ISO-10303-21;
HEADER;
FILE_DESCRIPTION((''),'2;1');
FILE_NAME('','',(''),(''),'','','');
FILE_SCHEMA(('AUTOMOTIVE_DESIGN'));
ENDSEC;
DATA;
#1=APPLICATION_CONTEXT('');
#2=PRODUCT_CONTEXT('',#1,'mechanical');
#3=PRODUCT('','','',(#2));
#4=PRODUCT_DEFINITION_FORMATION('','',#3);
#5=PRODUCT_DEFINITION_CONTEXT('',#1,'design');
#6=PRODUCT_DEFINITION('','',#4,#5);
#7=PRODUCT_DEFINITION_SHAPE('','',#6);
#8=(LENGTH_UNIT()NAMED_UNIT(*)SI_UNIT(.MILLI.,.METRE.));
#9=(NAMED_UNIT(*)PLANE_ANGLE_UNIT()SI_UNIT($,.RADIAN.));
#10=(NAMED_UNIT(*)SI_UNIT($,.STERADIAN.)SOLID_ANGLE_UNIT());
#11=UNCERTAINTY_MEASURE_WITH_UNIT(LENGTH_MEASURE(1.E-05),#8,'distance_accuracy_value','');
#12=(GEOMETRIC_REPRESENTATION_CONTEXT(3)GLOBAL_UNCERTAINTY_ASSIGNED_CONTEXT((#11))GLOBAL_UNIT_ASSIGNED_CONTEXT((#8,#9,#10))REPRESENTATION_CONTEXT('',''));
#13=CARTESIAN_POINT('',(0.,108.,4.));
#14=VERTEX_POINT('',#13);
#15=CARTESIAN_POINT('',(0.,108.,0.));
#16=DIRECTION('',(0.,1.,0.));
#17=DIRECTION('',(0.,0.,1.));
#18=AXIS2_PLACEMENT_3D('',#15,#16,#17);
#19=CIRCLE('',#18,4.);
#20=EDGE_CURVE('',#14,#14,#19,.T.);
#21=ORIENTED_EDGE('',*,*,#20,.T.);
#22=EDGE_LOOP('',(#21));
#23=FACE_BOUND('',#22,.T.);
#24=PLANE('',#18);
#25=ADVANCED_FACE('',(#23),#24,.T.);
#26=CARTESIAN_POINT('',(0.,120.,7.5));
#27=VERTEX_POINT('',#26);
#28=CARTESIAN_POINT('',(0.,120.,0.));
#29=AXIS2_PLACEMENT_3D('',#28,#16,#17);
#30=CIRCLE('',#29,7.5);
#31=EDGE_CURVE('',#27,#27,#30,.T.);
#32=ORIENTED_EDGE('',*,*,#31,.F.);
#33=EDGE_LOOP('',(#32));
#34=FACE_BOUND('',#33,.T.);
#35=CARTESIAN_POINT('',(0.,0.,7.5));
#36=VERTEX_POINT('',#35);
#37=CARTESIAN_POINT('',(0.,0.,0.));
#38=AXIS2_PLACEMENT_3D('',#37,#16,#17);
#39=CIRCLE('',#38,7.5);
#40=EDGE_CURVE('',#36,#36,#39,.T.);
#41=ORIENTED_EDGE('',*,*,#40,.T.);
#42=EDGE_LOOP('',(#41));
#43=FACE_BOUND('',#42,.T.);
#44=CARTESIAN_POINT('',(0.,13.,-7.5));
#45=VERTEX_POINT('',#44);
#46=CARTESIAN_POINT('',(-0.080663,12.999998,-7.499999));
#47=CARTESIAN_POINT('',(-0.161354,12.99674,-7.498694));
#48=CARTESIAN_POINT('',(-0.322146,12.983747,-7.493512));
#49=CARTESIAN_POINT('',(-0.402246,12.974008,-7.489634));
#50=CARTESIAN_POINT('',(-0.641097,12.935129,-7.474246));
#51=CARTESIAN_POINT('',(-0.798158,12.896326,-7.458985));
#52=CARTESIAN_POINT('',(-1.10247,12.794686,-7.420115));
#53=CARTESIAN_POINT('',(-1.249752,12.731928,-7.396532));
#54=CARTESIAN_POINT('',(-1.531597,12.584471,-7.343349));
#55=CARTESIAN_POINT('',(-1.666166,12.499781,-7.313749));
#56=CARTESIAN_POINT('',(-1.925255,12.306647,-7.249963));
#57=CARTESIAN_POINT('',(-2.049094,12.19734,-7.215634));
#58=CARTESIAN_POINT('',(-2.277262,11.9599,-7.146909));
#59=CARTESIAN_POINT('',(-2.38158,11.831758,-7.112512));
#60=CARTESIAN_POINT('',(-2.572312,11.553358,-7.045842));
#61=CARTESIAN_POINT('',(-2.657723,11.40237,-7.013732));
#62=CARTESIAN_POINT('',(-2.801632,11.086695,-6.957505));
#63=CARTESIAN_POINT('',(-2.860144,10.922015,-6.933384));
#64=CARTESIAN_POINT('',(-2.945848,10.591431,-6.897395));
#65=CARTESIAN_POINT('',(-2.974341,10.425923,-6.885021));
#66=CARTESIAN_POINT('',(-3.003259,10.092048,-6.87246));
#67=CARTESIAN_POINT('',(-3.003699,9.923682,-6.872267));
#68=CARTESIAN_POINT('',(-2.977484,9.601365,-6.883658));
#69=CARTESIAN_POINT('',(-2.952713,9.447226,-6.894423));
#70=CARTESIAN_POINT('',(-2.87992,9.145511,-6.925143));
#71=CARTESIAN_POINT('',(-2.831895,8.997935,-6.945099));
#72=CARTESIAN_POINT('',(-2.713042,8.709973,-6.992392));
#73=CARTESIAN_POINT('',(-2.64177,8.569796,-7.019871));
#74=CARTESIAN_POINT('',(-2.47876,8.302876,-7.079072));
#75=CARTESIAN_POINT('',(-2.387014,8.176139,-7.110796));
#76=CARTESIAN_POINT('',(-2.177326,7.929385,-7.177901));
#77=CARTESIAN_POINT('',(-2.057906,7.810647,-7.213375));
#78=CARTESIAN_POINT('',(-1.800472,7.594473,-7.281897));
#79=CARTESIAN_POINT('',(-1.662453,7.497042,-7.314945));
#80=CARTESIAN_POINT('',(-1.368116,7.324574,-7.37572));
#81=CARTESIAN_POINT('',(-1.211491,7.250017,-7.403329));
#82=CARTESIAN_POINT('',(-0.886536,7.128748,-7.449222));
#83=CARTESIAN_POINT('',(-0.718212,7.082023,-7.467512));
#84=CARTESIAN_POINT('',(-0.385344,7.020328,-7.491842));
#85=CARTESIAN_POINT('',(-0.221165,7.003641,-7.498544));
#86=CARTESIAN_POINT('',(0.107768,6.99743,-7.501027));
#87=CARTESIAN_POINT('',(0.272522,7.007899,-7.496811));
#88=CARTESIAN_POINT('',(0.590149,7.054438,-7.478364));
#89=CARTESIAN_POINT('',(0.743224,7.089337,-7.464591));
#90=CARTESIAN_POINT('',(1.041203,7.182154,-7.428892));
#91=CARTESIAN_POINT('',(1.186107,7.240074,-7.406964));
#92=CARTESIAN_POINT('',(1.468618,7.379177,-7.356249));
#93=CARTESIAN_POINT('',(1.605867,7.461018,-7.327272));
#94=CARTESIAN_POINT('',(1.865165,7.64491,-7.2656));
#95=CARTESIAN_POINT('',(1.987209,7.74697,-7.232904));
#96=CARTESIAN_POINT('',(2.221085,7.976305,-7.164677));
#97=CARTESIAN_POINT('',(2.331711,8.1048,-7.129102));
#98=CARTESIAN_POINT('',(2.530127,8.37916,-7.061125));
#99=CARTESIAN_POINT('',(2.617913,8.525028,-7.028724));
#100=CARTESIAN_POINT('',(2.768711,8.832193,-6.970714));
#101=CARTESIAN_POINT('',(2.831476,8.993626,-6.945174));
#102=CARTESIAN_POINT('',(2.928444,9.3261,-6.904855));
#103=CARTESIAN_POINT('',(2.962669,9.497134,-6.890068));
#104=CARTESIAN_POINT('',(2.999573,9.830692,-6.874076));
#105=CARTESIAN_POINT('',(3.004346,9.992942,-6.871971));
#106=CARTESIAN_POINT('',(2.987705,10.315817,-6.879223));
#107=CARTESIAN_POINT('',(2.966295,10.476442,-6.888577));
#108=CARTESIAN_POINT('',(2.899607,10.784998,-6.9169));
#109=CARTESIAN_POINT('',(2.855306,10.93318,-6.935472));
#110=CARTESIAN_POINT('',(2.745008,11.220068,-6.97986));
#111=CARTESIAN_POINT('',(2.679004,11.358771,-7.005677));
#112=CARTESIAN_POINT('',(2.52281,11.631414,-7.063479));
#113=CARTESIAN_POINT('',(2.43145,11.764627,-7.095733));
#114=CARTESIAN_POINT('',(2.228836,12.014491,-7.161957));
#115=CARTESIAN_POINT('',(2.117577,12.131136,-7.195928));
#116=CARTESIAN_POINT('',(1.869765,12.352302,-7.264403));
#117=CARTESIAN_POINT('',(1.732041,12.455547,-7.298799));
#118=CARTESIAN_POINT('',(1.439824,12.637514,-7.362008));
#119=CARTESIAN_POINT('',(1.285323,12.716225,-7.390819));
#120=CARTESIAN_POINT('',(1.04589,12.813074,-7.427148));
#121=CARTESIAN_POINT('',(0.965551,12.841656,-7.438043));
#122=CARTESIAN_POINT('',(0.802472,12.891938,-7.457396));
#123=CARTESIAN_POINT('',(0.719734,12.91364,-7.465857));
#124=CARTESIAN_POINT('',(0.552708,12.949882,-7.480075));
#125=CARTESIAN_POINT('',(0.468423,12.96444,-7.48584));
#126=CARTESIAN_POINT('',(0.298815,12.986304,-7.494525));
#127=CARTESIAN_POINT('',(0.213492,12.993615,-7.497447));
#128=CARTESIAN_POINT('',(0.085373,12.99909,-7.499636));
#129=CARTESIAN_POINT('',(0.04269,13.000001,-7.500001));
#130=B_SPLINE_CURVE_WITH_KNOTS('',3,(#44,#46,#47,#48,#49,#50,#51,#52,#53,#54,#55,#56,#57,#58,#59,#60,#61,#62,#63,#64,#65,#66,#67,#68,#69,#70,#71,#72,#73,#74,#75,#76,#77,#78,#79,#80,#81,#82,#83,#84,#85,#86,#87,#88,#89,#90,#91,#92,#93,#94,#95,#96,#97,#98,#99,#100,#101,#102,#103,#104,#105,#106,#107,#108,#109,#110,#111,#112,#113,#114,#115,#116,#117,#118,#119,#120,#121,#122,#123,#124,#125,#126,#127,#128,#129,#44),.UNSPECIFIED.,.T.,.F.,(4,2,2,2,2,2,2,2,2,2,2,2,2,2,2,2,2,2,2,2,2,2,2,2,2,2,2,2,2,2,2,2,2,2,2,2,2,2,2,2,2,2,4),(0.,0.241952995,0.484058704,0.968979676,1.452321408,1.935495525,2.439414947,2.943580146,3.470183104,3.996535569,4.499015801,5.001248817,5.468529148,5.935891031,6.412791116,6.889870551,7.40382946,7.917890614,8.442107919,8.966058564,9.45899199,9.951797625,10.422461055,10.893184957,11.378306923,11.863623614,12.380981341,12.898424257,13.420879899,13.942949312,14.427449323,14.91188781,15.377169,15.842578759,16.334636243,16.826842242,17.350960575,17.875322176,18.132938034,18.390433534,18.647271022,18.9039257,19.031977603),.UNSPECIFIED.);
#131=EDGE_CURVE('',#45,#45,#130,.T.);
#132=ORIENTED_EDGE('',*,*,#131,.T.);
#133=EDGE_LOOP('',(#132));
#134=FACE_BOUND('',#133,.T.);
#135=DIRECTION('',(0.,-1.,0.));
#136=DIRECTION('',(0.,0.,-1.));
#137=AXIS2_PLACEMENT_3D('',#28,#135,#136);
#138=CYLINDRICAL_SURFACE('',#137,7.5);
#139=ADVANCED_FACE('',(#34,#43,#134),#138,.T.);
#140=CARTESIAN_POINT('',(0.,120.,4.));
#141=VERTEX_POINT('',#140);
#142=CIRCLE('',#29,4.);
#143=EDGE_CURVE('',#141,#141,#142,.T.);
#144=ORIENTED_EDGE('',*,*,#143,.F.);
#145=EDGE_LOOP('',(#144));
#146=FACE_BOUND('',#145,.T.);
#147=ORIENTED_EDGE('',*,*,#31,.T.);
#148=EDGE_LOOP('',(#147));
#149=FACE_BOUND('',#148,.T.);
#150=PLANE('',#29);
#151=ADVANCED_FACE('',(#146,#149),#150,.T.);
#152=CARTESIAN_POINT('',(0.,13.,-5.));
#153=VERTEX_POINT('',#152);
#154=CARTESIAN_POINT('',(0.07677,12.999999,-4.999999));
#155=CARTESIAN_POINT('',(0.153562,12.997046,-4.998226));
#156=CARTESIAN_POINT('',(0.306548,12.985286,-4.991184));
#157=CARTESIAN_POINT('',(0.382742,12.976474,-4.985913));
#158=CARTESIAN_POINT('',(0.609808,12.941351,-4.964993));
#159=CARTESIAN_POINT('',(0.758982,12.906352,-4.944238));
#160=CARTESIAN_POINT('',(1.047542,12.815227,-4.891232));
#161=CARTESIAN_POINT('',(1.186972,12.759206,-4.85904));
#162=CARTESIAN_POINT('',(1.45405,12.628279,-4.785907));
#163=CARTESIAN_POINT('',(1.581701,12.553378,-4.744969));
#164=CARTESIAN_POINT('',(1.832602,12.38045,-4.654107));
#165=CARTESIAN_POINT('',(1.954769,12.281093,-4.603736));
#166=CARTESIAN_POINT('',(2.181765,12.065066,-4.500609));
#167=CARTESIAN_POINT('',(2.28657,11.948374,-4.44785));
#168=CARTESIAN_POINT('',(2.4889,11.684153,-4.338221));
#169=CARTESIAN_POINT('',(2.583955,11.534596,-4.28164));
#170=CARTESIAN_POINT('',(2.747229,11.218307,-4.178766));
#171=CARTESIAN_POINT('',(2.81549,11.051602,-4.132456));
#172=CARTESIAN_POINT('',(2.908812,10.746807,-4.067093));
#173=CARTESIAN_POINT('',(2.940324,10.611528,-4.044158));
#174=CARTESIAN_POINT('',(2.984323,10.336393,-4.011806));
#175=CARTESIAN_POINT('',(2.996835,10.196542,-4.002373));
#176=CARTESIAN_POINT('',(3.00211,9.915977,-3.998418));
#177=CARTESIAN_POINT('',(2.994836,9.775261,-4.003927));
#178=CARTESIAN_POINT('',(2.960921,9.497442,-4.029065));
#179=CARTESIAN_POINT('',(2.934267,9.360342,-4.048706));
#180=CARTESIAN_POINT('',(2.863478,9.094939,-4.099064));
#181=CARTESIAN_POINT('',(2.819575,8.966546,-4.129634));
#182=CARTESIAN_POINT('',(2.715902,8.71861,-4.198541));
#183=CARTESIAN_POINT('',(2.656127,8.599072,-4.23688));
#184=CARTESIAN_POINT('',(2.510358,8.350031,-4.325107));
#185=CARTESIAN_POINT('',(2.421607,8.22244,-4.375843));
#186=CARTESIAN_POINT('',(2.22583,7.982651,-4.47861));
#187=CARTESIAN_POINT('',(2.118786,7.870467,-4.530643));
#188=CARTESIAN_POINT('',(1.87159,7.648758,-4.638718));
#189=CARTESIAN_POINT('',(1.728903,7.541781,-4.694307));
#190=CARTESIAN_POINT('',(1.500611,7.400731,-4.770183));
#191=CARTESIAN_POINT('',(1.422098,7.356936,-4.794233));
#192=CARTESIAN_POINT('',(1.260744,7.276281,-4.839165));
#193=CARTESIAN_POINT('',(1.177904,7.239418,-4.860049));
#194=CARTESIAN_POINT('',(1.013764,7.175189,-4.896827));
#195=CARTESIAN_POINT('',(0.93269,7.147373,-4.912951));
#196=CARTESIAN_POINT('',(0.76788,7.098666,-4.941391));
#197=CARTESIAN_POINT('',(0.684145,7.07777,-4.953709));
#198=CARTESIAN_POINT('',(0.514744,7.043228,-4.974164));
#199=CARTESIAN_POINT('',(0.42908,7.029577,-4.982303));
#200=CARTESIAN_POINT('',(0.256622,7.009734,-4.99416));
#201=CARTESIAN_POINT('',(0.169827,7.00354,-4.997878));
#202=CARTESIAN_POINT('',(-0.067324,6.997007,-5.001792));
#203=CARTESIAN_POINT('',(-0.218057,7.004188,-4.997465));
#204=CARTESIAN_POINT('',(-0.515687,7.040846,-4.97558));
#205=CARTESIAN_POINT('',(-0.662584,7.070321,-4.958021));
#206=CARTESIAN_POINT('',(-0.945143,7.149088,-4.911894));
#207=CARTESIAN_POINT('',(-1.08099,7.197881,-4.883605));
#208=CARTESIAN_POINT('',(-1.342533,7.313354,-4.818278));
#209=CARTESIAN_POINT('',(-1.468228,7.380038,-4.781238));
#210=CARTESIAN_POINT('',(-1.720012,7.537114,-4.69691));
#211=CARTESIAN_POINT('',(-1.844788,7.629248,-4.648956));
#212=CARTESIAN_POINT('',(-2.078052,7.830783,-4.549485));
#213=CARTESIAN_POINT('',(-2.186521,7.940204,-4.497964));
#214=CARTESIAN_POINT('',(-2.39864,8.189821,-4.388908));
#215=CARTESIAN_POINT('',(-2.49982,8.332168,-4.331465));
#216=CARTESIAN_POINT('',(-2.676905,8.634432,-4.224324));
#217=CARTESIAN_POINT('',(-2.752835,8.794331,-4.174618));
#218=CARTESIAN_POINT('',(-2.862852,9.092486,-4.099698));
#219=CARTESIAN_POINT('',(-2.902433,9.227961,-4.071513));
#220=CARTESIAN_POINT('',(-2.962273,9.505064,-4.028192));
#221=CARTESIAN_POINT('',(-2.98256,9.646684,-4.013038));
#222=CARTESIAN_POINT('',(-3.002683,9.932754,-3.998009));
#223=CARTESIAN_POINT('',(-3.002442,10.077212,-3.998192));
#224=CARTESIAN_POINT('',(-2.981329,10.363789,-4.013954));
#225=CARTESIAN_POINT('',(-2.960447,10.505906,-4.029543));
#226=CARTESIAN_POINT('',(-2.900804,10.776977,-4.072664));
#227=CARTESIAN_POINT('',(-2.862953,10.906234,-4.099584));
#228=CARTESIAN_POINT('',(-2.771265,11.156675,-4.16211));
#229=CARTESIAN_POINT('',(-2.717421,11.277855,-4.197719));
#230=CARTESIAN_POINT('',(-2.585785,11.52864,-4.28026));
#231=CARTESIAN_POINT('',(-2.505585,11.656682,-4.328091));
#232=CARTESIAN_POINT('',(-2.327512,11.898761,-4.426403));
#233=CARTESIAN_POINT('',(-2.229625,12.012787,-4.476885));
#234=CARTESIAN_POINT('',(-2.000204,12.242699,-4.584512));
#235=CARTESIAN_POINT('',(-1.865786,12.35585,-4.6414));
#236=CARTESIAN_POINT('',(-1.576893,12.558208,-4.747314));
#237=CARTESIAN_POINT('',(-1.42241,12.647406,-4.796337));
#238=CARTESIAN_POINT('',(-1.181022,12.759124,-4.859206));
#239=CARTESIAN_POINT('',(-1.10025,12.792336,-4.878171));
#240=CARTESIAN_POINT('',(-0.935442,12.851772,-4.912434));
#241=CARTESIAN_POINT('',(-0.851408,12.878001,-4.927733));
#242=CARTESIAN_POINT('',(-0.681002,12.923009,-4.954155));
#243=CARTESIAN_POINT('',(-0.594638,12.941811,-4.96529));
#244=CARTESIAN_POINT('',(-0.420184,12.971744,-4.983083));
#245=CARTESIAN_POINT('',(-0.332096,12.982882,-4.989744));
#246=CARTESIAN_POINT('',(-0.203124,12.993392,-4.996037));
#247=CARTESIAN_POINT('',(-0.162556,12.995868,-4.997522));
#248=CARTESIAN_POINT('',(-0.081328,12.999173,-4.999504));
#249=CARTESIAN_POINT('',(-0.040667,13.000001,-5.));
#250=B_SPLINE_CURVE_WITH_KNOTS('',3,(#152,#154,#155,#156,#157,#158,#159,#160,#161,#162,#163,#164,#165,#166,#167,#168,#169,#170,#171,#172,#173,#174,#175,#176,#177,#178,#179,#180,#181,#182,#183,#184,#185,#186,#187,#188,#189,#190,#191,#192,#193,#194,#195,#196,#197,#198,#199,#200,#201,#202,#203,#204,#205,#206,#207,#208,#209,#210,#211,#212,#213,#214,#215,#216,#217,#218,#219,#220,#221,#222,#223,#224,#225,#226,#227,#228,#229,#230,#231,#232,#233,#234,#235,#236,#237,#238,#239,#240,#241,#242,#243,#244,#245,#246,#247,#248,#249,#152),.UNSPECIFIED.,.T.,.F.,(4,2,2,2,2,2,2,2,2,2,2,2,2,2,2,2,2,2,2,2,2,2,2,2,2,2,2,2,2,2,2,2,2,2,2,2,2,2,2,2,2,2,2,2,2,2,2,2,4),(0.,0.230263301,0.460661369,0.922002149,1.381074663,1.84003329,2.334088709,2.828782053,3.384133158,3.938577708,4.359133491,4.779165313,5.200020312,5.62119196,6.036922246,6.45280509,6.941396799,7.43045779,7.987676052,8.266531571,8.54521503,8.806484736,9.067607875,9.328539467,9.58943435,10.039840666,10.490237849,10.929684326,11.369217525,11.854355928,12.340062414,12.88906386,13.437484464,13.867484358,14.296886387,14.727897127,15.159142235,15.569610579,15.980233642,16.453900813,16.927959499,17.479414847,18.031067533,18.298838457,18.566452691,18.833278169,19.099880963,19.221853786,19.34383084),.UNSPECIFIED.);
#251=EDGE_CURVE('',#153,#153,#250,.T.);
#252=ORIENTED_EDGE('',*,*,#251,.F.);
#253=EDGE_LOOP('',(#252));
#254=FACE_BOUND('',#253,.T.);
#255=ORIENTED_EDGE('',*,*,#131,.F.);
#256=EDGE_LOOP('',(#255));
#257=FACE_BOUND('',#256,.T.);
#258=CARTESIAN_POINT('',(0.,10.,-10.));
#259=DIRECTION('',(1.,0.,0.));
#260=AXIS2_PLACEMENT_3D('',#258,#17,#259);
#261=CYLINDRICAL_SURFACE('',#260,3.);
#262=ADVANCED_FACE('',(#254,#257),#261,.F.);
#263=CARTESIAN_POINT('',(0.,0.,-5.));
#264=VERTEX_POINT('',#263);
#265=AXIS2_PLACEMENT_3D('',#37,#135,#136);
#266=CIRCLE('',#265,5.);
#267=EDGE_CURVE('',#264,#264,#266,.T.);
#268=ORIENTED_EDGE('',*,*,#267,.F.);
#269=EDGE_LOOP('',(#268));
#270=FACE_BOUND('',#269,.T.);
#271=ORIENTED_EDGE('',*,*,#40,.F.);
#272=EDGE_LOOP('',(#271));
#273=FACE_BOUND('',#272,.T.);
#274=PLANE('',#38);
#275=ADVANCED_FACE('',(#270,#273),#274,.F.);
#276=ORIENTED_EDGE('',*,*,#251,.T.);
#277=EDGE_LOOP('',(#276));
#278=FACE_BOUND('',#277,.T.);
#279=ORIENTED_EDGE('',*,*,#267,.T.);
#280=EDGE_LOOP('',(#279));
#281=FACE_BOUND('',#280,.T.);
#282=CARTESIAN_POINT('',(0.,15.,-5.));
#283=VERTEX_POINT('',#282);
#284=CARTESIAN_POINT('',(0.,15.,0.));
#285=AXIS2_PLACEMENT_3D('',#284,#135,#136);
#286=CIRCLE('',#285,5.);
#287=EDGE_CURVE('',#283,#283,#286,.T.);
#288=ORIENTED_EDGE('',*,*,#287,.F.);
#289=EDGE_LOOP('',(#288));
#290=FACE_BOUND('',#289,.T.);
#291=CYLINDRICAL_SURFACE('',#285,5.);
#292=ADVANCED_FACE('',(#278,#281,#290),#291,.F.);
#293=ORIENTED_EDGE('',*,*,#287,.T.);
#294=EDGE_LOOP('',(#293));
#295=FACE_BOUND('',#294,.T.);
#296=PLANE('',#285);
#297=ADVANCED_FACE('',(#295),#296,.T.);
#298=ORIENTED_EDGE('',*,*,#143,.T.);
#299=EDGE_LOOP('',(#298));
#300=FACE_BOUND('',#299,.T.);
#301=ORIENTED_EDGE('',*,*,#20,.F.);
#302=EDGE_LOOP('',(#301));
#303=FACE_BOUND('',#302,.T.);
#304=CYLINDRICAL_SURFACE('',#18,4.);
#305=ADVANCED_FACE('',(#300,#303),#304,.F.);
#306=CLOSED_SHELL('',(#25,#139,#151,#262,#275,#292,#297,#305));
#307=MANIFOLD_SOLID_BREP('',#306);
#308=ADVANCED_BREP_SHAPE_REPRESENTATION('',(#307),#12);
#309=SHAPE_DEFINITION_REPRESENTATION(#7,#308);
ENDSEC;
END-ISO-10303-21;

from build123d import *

# Parameters (mm, degrees)
SKETCH1_R           = 7.5
BOSS_EXTRUDE1_DEPTH = 120
SKETCH2_R           = 5
CUT_EXTRUDE1_DEPTH  = 15
SKETCH3_R           = 3
CUT_EXTRUDE4_DEPTH  = 10
SKETCH4_R           = 4
CUT_EXTRUDE5_DEPTH  = 12


with BuildPart() as part:
    # Sketch1 → Boss-Extrude1 (new body)
    with BuildSketch(Plane(origin=(0, 0, 0), x_dir=(1, 0, 0), z_dir=(0, 1, 0))):
        Circle(SKETCH1_R)
    extrude(amount=BOSS_EXTRUDE1_DEPTH)

    # Sketch2 → Cut-Extrude1 (cut)
    with BuildSketch(Plane.XZ):
        Circle(SKETCH2_R)
    extrude(amount=-CUT_EXTRUDE1_DEPTH, mode=Mode.SUBTRACT)

    # Sketch3 → Cut-Extrude4 (cut)
    with BuildSketch(Plane.XY):
        with Locations((0, 10)):
            Circle(SKETCH3_R)
    extrude(amount=-CUT_EXTRUDE4_DEPTH, mode=Mode.SUBTRACT)

    # Sketch4 → Cut-Extrude5 (cut)
    with BuildSketch(Plane(origin=(0, 120, 0), x_dir=(1, 0, 0), z_dir=(0, 1, 0))):
        Circle(SKETCH4_R)
    extrude(amount=-CUT_EXTRUDE5_DEPTH, mode=Mode.SUBTRACT)


solid = part.part
